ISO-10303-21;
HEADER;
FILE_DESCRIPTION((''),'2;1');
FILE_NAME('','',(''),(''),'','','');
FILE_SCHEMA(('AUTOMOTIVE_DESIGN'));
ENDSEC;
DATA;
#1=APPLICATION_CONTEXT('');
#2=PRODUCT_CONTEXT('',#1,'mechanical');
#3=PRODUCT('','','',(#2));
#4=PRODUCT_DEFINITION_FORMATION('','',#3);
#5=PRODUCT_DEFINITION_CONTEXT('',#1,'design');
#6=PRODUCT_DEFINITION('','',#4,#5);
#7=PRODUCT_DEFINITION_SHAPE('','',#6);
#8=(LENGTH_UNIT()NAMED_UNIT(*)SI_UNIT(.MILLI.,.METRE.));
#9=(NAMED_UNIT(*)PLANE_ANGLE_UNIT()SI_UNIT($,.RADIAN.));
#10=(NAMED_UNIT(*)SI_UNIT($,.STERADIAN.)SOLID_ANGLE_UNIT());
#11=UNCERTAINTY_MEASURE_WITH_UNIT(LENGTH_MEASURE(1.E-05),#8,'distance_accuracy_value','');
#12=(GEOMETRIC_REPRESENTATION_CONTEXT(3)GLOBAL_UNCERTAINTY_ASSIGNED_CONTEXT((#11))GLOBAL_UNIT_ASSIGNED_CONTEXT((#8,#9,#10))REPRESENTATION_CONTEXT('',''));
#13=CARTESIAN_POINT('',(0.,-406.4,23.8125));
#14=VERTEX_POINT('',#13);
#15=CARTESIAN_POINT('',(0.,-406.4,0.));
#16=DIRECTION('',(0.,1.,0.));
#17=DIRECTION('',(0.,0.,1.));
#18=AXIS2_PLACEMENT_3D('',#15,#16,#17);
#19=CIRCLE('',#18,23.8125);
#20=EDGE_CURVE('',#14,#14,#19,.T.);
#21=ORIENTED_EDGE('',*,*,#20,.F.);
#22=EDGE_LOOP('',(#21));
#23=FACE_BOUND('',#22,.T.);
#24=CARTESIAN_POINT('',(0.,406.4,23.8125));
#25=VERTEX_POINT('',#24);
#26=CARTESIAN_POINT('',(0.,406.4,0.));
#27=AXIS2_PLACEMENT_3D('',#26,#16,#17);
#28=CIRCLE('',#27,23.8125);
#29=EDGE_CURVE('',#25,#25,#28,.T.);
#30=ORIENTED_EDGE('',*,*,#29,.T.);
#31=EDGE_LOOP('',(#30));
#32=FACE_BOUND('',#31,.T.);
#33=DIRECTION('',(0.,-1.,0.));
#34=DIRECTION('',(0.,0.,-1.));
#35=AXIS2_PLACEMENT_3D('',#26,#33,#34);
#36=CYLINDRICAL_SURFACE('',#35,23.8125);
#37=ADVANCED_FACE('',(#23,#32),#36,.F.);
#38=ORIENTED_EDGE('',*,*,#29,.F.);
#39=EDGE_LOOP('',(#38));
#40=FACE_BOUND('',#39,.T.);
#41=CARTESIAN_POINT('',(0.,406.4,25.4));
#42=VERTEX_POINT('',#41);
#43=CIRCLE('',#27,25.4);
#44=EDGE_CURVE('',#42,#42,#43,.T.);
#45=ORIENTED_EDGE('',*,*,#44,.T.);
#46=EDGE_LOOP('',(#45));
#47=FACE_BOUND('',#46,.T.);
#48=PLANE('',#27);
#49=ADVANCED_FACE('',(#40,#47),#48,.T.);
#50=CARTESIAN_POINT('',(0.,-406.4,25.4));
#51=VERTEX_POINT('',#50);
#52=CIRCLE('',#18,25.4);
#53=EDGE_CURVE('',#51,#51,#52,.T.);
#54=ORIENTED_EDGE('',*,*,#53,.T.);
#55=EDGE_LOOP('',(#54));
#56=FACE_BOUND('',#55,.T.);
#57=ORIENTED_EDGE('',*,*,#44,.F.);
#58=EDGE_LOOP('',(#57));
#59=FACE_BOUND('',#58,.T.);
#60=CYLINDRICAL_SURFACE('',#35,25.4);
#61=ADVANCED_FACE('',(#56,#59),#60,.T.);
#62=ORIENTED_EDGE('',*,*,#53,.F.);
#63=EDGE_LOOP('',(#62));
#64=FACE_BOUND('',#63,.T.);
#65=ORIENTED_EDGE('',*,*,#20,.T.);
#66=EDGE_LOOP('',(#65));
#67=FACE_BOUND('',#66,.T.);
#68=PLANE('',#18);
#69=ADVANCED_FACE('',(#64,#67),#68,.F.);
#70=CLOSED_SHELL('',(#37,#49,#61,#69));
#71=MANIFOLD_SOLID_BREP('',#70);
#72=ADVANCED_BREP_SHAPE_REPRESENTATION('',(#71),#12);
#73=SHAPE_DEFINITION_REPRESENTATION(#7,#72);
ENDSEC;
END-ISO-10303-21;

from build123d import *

# Parameters (mm, degrees)
SKETCH1_R           = 25.4
BOSS_EXTRUDE1_DEPTH = 406.4
SHELL1_T            = -1.5875


with BuildPart() as part:
    # Sketch1 → Boss-Extrude1 (new, symmetric)
    with BuildSketch(Plane(origin=(0, 0, 0), x_dir=(1, 0, 0), z_dir=(0, 1, 0))):
        with Locations(Location((0, 0, 0), (0, 0, 270))):
            Circle(SKETCH1_R)
    extrude(amount=BOSS_EXTRUDE1_DEPTH, both=True)

    # Shell1
    shell1_openings = [part.faces().sort_by_distance(p)[0] for p in [
        (0, 406.4, 0),
        (0, -406.4, 0),
    ]]
    offset(amount=SHELL1_T, openings=shell1_openings, kind=Kind.INTERSECTION)


solid = part.part
